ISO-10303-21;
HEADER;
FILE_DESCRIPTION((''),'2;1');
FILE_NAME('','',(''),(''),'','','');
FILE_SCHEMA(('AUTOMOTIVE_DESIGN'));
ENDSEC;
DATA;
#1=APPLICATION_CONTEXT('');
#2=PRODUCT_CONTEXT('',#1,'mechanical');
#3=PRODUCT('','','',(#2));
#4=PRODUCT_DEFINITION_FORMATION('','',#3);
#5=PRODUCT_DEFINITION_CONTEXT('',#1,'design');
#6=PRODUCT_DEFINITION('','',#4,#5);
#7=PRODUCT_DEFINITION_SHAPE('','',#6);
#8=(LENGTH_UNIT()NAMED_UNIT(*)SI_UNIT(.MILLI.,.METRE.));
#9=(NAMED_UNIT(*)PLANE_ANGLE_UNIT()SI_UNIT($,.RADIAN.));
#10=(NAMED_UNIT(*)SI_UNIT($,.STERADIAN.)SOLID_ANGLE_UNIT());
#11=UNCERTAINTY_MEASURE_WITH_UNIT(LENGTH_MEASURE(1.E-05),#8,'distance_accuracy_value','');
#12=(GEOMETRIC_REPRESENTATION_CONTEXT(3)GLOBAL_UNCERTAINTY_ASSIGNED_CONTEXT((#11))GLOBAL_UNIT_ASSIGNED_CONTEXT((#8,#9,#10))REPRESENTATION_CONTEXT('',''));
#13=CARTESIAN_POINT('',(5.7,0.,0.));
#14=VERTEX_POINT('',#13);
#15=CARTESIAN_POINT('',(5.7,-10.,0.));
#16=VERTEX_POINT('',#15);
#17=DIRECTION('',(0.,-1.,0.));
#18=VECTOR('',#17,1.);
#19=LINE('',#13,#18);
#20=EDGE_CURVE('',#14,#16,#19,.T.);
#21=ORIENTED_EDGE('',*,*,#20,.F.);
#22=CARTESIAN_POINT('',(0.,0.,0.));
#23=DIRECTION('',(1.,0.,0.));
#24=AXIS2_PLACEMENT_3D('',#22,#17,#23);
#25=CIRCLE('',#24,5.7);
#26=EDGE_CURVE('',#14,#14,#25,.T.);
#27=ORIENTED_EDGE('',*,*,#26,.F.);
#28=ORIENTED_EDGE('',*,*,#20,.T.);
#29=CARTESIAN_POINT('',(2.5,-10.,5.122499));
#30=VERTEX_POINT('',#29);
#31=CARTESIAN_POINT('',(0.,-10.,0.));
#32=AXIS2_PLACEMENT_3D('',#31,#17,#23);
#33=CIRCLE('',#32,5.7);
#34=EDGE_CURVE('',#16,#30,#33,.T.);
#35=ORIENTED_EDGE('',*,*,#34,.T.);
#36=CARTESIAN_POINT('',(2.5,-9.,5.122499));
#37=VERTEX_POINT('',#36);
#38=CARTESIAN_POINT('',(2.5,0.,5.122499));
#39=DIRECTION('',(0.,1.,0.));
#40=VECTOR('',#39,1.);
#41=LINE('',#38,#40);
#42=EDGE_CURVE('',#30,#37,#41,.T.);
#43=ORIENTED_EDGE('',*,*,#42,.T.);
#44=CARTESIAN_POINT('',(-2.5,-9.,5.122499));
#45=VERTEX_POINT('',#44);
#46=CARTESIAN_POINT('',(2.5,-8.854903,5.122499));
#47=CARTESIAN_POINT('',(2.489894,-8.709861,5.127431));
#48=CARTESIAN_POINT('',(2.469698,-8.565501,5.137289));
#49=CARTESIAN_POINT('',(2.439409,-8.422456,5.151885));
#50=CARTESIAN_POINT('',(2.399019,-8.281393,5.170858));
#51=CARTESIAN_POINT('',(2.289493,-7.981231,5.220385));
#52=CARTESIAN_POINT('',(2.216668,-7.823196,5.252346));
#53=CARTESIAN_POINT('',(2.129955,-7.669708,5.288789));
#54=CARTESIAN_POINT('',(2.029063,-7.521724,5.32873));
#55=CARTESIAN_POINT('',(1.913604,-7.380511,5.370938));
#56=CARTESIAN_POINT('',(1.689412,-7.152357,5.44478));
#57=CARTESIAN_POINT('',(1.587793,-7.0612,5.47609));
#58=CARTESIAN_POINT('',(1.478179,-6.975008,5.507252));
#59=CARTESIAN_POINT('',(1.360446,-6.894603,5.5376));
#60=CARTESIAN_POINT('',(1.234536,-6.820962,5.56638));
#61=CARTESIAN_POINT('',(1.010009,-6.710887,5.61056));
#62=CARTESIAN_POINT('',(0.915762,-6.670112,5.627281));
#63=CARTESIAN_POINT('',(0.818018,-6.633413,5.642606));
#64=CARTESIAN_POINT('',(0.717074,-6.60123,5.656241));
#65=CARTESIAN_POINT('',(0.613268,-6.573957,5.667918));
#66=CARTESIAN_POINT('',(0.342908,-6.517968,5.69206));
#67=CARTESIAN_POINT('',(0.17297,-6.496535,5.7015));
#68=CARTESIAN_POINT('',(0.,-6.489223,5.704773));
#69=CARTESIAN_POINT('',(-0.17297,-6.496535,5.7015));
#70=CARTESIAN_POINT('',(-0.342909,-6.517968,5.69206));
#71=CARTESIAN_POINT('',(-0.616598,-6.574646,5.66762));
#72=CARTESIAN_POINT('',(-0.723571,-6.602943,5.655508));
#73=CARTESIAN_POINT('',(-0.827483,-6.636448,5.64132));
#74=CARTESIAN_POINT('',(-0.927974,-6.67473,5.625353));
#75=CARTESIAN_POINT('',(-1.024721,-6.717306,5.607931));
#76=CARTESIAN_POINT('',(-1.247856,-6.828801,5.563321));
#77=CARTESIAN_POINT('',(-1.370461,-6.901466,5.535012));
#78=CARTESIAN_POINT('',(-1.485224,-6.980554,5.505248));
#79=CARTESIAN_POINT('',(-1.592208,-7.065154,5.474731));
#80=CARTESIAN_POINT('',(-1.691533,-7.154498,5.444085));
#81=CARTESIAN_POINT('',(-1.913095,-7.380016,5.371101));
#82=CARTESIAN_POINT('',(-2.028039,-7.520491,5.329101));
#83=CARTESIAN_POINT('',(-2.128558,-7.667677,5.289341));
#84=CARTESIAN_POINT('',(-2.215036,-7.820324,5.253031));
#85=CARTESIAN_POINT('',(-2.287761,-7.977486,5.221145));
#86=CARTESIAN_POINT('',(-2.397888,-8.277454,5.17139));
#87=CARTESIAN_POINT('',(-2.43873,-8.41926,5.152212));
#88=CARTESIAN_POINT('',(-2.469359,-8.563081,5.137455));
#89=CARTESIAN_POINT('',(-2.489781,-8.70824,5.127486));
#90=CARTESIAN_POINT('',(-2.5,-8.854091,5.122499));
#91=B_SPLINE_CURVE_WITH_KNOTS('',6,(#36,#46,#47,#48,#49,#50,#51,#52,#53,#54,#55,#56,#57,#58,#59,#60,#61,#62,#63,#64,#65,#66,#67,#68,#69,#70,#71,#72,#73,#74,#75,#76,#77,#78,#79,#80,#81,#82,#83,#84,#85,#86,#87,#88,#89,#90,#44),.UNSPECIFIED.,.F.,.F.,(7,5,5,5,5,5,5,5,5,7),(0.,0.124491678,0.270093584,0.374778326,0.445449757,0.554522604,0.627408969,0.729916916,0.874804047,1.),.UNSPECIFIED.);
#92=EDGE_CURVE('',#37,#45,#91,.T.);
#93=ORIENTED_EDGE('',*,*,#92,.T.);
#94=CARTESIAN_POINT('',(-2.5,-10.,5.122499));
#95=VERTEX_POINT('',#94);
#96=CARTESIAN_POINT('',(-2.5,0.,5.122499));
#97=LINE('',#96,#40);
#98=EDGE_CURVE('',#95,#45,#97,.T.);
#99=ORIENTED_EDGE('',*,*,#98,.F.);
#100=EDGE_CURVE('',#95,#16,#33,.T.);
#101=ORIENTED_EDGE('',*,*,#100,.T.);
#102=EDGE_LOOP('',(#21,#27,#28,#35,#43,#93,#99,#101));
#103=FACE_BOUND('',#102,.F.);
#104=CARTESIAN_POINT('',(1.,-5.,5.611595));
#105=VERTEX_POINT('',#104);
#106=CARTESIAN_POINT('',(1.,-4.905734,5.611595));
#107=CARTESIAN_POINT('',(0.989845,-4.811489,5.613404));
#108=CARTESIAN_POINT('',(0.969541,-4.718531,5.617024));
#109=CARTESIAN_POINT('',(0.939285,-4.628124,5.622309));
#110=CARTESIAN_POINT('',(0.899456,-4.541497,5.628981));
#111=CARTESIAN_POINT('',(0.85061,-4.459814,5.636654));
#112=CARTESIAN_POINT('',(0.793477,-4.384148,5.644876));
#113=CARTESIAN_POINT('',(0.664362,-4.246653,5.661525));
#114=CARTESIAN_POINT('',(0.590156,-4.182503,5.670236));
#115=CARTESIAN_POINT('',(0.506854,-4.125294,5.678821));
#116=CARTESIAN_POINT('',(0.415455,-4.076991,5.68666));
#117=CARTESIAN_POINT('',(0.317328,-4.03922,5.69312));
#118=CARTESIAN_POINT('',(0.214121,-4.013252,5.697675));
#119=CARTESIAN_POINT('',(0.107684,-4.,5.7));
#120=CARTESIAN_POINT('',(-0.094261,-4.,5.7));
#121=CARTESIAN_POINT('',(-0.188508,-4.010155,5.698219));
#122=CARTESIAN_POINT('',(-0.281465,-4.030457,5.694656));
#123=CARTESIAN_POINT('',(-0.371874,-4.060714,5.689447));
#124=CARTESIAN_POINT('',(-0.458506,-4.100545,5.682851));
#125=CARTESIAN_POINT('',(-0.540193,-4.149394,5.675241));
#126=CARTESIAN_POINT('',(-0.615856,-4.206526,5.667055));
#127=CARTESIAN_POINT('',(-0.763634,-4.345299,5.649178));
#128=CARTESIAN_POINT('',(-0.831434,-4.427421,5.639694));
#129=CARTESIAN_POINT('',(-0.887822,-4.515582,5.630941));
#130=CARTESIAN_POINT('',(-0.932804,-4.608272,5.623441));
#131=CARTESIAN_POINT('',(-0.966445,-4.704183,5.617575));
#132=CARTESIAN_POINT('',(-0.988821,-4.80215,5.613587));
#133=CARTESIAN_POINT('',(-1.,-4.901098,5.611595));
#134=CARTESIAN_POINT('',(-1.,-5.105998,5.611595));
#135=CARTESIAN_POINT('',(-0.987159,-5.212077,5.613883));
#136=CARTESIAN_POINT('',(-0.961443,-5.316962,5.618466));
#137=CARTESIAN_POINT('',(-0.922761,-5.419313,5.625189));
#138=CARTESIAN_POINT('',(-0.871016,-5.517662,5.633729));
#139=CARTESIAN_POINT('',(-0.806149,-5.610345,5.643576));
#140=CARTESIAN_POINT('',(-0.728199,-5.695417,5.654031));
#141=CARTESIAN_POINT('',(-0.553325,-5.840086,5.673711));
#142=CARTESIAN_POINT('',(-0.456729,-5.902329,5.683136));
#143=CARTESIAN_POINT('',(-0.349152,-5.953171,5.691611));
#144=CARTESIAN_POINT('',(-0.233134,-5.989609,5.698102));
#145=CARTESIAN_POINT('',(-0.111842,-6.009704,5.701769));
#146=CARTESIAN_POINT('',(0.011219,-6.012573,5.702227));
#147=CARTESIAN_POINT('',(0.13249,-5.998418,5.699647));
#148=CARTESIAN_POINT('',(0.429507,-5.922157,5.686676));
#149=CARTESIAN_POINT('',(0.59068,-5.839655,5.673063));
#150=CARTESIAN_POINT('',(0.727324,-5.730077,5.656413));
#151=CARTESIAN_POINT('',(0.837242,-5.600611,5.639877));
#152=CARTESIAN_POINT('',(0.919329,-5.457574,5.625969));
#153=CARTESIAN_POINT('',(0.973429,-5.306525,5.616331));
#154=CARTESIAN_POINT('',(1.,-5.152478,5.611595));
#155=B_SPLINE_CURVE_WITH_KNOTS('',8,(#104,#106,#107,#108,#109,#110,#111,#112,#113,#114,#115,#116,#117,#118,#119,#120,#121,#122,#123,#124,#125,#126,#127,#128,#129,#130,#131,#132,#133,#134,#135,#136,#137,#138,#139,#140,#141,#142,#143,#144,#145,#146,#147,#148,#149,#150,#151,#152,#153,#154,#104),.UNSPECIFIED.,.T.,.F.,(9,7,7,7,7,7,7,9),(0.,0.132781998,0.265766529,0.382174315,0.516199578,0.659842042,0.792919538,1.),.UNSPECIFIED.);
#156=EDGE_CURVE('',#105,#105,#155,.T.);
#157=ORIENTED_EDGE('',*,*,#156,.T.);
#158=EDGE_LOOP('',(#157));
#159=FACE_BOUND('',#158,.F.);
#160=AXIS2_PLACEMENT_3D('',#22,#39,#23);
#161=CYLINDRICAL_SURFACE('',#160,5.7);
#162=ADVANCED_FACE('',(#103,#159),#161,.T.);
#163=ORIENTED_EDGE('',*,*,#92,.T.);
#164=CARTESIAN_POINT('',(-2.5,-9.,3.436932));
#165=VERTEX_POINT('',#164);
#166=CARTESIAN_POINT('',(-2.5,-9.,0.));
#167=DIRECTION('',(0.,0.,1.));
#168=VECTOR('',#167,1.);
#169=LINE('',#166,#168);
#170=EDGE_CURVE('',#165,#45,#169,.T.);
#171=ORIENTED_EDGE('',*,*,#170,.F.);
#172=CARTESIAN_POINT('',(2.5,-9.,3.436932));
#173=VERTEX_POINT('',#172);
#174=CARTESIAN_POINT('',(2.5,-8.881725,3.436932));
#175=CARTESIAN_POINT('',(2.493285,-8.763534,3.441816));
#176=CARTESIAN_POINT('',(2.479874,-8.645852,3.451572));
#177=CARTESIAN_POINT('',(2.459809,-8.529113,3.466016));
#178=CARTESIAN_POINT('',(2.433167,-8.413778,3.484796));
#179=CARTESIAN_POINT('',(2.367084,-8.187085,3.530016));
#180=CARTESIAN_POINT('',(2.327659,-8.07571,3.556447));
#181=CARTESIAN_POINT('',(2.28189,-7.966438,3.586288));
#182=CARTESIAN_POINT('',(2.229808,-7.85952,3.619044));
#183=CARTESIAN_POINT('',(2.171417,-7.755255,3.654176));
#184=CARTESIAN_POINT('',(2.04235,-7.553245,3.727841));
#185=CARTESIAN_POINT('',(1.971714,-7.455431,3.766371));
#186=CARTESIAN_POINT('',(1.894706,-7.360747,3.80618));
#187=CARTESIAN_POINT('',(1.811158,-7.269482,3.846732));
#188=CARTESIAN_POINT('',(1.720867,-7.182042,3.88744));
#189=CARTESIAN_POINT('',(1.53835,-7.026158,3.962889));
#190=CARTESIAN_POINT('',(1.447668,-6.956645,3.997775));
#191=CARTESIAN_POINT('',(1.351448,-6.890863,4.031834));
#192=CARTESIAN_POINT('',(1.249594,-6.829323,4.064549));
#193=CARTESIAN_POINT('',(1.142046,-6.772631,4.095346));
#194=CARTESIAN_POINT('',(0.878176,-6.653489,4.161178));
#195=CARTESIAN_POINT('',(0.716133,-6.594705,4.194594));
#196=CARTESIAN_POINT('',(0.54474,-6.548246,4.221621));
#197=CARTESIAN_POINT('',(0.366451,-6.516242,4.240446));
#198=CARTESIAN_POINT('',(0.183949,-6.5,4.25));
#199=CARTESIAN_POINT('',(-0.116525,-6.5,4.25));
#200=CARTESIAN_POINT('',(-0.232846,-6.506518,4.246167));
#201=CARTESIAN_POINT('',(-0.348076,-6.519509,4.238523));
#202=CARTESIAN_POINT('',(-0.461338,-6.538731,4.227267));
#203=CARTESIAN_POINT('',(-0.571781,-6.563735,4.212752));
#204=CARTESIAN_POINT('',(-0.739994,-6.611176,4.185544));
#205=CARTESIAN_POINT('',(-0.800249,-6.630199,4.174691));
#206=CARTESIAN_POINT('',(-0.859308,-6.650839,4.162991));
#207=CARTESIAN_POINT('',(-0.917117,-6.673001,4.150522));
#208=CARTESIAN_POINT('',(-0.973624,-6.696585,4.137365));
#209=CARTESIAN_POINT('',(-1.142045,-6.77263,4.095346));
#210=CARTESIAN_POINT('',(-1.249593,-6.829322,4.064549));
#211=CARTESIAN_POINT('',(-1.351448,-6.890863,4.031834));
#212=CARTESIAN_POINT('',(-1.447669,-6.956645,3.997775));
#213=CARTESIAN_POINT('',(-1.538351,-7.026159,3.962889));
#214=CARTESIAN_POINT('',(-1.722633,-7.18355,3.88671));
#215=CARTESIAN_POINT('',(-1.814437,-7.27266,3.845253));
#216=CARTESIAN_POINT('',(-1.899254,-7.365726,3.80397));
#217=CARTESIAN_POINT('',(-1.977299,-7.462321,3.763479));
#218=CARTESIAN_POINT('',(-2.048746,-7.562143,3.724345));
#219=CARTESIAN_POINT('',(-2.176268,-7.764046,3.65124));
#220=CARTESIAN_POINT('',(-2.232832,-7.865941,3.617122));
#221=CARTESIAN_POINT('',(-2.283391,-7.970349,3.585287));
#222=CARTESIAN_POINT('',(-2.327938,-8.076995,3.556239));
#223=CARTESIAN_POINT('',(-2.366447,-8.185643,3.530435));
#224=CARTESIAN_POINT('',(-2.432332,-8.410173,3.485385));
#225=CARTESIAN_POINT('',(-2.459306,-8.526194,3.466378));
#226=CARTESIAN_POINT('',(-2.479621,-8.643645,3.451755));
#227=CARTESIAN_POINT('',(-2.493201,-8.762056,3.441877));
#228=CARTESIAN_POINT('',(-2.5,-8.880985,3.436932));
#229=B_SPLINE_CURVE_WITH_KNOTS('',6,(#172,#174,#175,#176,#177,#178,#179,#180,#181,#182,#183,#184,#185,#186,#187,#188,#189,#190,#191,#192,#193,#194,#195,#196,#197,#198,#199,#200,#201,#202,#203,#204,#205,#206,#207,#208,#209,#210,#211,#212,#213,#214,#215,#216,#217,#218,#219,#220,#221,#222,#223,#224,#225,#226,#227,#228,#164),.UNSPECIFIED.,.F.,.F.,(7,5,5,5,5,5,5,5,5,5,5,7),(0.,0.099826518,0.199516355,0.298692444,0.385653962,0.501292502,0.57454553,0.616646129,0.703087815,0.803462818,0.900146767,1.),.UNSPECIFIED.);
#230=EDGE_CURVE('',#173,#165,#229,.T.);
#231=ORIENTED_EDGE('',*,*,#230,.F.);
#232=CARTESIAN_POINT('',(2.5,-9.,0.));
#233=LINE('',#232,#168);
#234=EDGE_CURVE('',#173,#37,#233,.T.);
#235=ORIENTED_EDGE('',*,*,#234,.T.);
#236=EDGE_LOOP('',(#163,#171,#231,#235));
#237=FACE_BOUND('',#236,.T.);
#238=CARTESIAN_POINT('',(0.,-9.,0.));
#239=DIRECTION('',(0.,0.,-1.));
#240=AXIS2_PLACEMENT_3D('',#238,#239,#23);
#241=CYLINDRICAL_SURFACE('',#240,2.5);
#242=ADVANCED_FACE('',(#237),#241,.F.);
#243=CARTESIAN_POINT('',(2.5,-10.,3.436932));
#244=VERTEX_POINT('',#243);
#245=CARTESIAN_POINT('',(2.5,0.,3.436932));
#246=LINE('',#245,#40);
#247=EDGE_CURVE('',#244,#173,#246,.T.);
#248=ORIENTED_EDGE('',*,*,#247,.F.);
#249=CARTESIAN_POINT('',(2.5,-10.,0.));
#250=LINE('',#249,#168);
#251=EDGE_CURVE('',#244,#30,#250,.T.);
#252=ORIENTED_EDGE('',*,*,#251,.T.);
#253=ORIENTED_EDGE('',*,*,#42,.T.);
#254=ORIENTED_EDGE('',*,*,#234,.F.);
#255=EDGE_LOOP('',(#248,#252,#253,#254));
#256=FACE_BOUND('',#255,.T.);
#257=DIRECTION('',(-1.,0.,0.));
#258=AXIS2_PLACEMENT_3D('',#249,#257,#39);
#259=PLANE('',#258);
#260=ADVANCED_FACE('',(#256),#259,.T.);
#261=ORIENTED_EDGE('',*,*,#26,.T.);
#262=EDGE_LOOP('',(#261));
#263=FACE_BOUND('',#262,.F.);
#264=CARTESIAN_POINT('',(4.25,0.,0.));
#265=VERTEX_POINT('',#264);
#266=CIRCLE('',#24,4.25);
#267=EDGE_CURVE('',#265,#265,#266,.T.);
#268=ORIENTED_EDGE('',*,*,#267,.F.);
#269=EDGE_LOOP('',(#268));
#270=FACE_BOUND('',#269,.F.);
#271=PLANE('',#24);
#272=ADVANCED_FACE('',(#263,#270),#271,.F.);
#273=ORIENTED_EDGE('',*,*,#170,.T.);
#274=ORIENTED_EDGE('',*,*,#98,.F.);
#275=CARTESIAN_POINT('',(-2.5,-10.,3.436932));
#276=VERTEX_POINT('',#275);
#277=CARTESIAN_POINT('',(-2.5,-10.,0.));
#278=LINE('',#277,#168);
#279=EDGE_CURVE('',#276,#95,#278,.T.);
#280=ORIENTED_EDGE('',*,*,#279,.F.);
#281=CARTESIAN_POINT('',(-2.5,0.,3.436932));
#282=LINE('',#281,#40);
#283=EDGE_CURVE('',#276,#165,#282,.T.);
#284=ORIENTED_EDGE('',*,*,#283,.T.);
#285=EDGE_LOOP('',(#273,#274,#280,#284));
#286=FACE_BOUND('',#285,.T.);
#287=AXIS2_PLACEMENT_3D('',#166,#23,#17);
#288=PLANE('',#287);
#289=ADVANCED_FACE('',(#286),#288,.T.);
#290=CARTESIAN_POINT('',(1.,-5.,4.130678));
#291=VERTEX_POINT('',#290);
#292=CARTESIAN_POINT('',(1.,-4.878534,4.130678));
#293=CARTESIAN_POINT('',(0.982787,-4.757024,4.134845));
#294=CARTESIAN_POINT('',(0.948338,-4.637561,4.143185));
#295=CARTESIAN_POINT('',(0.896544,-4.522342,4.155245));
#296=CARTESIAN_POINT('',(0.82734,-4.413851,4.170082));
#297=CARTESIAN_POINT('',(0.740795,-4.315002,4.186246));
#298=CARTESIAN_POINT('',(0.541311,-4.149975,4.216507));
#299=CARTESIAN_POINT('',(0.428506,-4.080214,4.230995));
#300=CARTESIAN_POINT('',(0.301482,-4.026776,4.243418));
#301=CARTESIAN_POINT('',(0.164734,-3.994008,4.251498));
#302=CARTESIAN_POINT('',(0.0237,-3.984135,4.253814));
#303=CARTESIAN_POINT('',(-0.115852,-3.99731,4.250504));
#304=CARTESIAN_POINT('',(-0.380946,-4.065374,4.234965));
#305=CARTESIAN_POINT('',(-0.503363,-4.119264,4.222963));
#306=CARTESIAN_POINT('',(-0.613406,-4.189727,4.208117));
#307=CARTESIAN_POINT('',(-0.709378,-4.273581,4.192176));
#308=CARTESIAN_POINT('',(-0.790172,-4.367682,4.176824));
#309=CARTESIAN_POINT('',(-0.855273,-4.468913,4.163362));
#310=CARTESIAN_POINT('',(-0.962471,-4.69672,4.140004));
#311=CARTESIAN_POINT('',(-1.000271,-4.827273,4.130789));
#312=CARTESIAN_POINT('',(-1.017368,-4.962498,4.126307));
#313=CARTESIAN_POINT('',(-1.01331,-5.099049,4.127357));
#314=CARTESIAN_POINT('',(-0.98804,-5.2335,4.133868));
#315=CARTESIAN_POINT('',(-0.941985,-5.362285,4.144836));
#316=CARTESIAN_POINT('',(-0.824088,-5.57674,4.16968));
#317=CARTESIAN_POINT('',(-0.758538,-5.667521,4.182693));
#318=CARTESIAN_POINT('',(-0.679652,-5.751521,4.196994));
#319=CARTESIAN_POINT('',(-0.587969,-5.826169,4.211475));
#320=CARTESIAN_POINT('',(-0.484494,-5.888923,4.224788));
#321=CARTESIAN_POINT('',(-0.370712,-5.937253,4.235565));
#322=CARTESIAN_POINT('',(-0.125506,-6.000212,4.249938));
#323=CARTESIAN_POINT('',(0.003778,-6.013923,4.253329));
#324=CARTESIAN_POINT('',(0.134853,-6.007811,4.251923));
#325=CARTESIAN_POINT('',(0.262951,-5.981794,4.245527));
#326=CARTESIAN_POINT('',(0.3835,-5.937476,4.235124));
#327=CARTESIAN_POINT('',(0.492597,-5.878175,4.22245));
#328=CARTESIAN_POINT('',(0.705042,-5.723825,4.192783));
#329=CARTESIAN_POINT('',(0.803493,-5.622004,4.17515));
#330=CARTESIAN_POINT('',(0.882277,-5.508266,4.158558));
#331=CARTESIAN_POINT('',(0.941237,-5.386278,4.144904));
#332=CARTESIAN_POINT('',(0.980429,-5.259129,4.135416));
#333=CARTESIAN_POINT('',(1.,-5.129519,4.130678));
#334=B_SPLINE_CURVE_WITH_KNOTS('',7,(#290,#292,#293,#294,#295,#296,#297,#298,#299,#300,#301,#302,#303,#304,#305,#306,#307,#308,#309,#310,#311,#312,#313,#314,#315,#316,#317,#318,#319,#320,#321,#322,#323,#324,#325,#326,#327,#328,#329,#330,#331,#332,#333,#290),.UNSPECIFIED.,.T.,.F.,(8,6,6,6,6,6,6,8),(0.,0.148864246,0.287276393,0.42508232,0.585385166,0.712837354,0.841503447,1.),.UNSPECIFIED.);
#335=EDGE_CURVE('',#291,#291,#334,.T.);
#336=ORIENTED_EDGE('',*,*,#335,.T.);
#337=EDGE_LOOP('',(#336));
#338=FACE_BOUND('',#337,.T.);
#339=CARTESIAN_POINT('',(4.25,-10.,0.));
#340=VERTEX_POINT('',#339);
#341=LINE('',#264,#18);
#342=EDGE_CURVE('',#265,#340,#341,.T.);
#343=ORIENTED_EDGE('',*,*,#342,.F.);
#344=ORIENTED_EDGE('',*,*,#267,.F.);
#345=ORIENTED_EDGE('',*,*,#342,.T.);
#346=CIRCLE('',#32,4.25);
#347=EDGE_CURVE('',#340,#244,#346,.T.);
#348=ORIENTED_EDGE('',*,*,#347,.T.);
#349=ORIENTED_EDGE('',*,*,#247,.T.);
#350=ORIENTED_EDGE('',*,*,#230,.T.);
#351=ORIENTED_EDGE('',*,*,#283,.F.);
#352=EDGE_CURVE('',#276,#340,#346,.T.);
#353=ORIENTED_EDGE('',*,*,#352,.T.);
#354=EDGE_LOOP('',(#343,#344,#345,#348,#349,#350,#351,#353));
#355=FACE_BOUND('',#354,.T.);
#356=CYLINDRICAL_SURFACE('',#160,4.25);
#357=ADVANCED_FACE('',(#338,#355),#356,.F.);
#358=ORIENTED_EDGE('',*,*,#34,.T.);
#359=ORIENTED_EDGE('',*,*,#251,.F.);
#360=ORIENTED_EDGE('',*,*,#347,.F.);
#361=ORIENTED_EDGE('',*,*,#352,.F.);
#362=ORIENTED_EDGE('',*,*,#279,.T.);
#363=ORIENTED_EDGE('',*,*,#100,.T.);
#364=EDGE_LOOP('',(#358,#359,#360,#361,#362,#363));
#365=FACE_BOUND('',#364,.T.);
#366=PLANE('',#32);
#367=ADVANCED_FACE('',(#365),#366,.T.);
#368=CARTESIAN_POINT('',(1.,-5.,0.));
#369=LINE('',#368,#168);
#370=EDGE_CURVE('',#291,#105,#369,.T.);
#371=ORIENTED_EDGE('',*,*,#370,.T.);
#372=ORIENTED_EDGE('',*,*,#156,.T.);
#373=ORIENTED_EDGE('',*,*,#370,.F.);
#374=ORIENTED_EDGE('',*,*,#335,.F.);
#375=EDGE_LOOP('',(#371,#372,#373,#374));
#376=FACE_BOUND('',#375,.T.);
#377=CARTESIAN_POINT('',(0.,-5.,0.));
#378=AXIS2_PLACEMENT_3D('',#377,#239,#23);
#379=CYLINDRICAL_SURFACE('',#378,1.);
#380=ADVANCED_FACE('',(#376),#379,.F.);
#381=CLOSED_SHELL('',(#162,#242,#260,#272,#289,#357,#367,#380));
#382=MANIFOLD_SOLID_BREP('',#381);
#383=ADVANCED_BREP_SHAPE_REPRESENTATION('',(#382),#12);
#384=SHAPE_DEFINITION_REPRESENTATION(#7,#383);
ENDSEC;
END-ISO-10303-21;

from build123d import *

# Parameters (mm, degrees)
F1_R     = 5.7
F1_R_2   = 4.25
F2_DEPTH = 10
F3_R     = 1
F4_DEPTH = 5.701


with BuildPart() as f2:
    # F1 (on Front) → F2 (new body)
    with BuildSketch(Plane.XZ):
        Circle(F1_R)
        Circle(F1_R_2, mode=Mode.SUBTRACT)
    extrude(amount=F2_DEPTH)

    # F3 (on Top) → F4 (cut, through all)
    with BuildSketch(Plane.XY):
        with Locations((0, -5)):
            Circle(F3_R)
        with BuildLine():
            Line((2.5, -10), (2.5, -9))
            ThreePointArc((2.5, -9), (0, -6.5), (-2.5, -9))
            Line((-2.5, -9), (-2.5, -10))
            Line((-2.5, -10), (2.5, -10))
        make_face()
    extrude(amount=F4_DEPTH, mode=Mode.SUBTRACT)


solid = f2.part
